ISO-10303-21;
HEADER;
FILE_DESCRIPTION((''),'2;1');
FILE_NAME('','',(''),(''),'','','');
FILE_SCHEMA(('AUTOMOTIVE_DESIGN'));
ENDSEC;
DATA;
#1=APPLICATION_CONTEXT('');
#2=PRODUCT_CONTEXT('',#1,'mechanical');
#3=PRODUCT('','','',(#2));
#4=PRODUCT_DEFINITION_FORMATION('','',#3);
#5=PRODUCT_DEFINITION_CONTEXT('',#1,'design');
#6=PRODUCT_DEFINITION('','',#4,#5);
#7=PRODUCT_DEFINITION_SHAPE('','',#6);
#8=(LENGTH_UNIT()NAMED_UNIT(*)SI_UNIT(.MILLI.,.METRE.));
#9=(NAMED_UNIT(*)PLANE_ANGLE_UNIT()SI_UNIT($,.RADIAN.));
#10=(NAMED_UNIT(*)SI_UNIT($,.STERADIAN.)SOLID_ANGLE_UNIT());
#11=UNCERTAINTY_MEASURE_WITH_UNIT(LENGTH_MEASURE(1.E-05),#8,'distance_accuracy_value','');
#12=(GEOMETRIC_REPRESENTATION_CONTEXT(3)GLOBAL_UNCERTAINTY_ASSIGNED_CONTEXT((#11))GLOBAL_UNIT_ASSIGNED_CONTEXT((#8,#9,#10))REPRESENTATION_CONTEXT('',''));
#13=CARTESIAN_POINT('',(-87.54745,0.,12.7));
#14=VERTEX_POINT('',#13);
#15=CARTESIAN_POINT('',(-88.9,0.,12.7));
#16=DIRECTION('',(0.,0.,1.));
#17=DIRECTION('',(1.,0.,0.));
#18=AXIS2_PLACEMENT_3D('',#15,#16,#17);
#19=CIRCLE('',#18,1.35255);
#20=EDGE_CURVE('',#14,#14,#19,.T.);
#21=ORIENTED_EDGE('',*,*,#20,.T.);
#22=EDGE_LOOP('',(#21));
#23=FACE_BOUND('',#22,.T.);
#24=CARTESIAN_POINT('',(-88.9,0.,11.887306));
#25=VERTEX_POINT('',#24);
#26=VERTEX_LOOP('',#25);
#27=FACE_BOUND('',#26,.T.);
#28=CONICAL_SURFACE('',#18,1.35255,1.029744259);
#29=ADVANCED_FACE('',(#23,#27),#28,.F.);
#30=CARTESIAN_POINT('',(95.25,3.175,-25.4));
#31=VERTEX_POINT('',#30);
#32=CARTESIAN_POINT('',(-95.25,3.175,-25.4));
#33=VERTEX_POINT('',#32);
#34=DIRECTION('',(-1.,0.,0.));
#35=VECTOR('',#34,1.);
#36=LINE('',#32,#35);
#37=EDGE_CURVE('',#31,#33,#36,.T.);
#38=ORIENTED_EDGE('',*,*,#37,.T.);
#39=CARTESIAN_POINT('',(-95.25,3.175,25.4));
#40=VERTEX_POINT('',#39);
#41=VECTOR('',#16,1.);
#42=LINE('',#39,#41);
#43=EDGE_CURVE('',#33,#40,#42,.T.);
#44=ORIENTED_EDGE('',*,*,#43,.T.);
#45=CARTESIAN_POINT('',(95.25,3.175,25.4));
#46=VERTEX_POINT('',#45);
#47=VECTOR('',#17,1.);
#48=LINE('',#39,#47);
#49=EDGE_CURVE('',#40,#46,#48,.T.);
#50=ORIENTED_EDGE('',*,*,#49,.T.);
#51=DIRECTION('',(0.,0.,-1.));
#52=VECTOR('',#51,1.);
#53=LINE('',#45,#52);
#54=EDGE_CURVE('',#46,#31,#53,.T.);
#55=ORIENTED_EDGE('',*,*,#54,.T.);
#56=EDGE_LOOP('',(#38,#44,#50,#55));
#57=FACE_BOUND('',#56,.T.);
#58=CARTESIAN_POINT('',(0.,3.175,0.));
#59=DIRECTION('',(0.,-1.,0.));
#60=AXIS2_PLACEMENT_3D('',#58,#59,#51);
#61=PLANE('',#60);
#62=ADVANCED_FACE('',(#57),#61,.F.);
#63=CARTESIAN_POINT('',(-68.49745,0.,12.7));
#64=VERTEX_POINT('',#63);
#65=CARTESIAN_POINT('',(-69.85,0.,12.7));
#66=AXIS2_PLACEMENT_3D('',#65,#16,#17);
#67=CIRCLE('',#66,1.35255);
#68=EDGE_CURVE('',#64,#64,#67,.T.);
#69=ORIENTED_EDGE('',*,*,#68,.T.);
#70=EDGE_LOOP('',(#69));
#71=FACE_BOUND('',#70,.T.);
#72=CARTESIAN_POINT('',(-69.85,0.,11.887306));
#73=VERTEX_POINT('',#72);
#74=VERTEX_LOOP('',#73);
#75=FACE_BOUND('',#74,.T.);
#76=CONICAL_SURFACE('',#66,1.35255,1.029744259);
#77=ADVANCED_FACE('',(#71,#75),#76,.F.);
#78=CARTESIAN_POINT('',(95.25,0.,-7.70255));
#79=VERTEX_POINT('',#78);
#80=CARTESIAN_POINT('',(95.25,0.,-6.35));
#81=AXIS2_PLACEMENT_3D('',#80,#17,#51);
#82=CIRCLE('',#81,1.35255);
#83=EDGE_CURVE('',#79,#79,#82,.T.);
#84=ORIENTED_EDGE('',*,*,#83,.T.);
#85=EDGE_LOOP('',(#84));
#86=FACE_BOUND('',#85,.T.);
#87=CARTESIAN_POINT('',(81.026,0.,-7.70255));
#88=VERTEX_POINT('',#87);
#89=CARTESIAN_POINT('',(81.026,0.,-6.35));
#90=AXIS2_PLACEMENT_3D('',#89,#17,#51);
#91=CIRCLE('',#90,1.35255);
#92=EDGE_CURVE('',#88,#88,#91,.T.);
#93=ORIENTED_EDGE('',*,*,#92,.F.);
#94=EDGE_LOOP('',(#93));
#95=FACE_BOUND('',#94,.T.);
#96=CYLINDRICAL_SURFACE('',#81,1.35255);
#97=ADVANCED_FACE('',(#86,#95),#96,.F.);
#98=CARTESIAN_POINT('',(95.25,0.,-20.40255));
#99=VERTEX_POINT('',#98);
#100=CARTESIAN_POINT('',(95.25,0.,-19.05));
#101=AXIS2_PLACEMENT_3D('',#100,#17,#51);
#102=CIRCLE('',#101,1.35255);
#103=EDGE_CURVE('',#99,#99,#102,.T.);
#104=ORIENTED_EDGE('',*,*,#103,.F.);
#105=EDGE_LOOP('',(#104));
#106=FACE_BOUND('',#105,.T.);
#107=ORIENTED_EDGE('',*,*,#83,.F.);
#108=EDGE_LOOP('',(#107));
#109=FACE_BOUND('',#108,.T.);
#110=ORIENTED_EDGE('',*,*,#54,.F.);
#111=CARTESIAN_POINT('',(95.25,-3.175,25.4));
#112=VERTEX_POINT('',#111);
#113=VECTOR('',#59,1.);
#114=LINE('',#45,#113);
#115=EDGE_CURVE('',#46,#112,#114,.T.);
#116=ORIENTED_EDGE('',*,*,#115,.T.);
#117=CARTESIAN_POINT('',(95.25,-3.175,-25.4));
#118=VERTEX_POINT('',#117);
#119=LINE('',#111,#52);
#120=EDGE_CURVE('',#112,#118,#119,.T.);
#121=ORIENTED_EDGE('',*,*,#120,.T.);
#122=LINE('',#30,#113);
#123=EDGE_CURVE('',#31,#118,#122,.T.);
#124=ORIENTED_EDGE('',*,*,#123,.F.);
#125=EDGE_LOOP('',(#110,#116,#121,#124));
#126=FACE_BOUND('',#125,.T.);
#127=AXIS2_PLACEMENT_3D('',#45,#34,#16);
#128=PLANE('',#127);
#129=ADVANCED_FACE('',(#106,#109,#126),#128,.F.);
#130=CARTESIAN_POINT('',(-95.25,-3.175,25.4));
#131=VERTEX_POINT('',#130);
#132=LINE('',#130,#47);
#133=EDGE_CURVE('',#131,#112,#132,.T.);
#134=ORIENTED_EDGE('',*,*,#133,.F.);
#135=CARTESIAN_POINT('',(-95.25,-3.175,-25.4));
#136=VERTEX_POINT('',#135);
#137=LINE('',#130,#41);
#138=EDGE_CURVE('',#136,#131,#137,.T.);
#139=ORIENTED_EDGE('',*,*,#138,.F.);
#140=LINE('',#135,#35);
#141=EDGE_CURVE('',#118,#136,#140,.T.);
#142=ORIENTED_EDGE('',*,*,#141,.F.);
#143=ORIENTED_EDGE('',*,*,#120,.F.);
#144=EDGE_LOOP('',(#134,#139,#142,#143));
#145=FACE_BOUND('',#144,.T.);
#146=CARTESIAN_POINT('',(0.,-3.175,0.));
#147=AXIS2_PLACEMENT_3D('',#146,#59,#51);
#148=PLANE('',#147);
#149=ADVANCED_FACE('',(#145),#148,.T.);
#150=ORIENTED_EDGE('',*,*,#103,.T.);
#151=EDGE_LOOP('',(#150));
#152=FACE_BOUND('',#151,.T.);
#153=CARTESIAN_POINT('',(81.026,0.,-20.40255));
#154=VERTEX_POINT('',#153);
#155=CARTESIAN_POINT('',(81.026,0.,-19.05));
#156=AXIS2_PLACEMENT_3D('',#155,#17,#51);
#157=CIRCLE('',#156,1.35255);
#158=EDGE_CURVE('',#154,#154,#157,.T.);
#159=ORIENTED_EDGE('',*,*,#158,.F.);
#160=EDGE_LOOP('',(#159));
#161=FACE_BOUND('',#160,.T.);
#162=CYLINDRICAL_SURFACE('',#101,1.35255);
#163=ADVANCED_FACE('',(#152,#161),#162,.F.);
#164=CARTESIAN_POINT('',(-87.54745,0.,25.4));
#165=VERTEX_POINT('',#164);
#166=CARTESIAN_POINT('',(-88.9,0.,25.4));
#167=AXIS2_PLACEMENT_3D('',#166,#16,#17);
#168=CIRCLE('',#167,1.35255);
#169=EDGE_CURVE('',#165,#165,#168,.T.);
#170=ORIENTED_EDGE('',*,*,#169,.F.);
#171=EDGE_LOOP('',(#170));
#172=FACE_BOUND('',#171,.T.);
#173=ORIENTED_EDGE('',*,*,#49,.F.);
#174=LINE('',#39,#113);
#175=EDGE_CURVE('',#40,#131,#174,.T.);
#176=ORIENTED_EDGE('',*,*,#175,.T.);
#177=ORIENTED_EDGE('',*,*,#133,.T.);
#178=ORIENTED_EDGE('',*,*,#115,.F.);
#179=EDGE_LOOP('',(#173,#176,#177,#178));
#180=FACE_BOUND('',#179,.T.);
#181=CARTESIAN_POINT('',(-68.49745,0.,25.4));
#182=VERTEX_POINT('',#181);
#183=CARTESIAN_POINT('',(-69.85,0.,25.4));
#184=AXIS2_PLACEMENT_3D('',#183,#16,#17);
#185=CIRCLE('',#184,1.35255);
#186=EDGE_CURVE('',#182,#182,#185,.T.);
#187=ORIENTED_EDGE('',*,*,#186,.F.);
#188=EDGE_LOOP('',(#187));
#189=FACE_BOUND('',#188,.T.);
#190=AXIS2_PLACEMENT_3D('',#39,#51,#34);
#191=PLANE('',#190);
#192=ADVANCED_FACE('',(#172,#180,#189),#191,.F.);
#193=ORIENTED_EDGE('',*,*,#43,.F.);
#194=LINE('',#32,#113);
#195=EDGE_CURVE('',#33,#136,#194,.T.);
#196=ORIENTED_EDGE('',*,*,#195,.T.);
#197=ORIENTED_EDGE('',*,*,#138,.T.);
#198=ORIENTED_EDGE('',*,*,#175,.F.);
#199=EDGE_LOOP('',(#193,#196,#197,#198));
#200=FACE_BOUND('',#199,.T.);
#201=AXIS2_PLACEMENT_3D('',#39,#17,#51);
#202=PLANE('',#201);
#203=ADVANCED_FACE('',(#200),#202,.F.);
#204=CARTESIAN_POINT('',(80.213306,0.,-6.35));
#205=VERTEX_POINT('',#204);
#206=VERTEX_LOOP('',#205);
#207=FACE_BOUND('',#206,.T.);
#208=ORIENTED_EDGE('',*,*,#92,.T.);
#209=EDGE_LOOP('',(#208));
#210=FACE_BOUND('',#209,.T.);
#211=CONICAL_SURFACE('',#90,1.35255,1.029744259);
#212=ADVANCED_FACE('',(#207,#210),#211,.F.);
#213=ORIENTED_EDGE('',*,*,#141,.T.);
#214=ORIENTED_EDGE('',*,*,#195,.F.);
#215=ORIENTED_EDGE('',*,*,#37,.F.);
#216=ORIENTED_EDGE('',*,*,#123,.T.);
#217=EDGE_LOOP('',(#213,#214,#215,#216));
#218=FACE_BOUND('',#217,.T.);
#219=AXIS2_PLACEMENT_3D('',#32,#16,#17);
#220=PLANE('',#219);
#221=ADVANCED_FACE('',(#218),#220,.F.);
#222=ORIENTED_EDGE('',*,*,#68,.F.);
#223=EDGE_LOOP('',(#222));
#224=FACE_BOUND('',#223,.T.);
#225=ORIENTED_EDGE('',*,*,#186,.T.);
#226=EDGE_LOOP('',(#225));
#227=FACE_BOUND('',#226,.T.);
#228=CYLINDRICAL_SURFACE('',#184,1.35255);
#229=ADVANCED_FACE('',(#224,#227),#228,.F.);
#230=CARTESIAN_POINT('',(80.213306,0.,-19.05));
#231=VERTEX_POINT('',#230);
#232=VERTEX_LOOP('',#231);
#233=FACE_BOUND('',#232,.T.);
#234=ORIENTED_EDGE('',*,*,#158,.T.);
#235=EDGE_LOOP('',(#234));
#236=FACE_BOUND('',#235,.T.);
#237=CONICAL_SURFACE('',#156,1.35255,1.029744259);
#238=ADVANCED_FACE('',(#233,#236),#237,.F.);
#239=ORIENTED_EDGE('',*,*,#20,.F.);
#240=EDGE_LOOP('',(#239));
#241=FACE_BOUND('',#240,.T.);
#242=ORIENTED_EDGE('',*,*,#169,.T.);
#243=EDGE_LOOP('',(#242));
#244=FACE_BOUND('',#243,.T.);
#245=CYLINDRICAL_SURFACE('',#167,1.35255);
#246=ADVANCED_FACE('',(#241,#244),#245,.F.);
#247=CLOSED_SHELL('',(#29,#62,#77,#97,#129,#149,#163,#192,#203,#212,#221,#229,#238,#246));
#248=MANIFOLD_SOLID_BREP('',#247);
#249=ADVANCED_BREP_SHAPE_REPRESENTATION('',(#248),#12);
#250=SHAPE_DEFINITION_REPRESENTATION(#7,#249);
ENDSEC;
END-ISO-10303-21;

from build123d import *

# Parameters (mm, degrees)
SKETCH1_W                 = 190.5
SKETCH1_H                 = 50.8
BOSS_EXTRUDE1_DEPTH       = 3.175
F_6_32_TAPPED_HOLE1_D     = 2.7051
F_6_32_TAPPED_HOLE1_DEPTH = 12.7
F_6_32_TAPPED_HOLE1_TIP   = 0.81269403
F_6_32_TAPPED_HOLE2_D     = 2.7051
F_6_32_TAPPED_HOLE2_DEPTH = 14.224
F_6_32_TAPPED_HOLE2_TIP   = 0.81269403


with BuildPart() as part:
    # Sketch1 → Boss-Extrude1 (new, symmetric)
    with BuildSketch(Plane(origin=(0, 0, 0), x_dir=(1, 0, 0), z_dir=(0, 1, 0))):
        Rectangle(SKETCH1_W, SKETCH1_H)
    extrude(amount=BOSS_EXTRUDE1_DEPTH, both=True)

    # #6-32 Tapped Hole1
    with Locations(Plane.XY.offset(25.4)):
        with Locations((-69.85, 0), (-88.9, 0)):
            Hole(F_6_32_TAPPED_HOLE1_D / 2, depth=F_6_32_TAPPED_HOLE1_DEPTH)
            with Locations((0, 0, -(F_6_32_TAPPED_HOLE1_DEPTH + F_6_32_TAPPED_HOLE1_TIP / 2))):  # 118° drill point
                Cone(0, F_6_32_TAPPED_HOLE1_D / 2, F_6_32_TAPPED_HOLE1_TIP, mode=Mode.SUBTRACT)

    # #6-32 Tapped Hole2
    with Locations(Plane(origin=(95.25, 0, 0), x_dir=(0, 0, -1), z_dir=(1, 0, 0))):
        with Locations((6.35, 0), (19.05, 0)):
            Hole(F_6_32_TAPPED_HOLE2_D / 2, depth=F_6_32_TAPPED_HOLE2_DEPTH)
            with Locations((0, 0, -(F_6_32_TAPPED_HOLE2_DEPTH + F_6_32_TAPPED_HOLE2_TIP / 2))):  # 118° drill point
                Cone(0, F_6_32_TAPPED_HOLE2_D / 2, F_6_32_TAPPED_HOLE2_TIP, mode=Mode.SUBTRACT)


solid = part.part
